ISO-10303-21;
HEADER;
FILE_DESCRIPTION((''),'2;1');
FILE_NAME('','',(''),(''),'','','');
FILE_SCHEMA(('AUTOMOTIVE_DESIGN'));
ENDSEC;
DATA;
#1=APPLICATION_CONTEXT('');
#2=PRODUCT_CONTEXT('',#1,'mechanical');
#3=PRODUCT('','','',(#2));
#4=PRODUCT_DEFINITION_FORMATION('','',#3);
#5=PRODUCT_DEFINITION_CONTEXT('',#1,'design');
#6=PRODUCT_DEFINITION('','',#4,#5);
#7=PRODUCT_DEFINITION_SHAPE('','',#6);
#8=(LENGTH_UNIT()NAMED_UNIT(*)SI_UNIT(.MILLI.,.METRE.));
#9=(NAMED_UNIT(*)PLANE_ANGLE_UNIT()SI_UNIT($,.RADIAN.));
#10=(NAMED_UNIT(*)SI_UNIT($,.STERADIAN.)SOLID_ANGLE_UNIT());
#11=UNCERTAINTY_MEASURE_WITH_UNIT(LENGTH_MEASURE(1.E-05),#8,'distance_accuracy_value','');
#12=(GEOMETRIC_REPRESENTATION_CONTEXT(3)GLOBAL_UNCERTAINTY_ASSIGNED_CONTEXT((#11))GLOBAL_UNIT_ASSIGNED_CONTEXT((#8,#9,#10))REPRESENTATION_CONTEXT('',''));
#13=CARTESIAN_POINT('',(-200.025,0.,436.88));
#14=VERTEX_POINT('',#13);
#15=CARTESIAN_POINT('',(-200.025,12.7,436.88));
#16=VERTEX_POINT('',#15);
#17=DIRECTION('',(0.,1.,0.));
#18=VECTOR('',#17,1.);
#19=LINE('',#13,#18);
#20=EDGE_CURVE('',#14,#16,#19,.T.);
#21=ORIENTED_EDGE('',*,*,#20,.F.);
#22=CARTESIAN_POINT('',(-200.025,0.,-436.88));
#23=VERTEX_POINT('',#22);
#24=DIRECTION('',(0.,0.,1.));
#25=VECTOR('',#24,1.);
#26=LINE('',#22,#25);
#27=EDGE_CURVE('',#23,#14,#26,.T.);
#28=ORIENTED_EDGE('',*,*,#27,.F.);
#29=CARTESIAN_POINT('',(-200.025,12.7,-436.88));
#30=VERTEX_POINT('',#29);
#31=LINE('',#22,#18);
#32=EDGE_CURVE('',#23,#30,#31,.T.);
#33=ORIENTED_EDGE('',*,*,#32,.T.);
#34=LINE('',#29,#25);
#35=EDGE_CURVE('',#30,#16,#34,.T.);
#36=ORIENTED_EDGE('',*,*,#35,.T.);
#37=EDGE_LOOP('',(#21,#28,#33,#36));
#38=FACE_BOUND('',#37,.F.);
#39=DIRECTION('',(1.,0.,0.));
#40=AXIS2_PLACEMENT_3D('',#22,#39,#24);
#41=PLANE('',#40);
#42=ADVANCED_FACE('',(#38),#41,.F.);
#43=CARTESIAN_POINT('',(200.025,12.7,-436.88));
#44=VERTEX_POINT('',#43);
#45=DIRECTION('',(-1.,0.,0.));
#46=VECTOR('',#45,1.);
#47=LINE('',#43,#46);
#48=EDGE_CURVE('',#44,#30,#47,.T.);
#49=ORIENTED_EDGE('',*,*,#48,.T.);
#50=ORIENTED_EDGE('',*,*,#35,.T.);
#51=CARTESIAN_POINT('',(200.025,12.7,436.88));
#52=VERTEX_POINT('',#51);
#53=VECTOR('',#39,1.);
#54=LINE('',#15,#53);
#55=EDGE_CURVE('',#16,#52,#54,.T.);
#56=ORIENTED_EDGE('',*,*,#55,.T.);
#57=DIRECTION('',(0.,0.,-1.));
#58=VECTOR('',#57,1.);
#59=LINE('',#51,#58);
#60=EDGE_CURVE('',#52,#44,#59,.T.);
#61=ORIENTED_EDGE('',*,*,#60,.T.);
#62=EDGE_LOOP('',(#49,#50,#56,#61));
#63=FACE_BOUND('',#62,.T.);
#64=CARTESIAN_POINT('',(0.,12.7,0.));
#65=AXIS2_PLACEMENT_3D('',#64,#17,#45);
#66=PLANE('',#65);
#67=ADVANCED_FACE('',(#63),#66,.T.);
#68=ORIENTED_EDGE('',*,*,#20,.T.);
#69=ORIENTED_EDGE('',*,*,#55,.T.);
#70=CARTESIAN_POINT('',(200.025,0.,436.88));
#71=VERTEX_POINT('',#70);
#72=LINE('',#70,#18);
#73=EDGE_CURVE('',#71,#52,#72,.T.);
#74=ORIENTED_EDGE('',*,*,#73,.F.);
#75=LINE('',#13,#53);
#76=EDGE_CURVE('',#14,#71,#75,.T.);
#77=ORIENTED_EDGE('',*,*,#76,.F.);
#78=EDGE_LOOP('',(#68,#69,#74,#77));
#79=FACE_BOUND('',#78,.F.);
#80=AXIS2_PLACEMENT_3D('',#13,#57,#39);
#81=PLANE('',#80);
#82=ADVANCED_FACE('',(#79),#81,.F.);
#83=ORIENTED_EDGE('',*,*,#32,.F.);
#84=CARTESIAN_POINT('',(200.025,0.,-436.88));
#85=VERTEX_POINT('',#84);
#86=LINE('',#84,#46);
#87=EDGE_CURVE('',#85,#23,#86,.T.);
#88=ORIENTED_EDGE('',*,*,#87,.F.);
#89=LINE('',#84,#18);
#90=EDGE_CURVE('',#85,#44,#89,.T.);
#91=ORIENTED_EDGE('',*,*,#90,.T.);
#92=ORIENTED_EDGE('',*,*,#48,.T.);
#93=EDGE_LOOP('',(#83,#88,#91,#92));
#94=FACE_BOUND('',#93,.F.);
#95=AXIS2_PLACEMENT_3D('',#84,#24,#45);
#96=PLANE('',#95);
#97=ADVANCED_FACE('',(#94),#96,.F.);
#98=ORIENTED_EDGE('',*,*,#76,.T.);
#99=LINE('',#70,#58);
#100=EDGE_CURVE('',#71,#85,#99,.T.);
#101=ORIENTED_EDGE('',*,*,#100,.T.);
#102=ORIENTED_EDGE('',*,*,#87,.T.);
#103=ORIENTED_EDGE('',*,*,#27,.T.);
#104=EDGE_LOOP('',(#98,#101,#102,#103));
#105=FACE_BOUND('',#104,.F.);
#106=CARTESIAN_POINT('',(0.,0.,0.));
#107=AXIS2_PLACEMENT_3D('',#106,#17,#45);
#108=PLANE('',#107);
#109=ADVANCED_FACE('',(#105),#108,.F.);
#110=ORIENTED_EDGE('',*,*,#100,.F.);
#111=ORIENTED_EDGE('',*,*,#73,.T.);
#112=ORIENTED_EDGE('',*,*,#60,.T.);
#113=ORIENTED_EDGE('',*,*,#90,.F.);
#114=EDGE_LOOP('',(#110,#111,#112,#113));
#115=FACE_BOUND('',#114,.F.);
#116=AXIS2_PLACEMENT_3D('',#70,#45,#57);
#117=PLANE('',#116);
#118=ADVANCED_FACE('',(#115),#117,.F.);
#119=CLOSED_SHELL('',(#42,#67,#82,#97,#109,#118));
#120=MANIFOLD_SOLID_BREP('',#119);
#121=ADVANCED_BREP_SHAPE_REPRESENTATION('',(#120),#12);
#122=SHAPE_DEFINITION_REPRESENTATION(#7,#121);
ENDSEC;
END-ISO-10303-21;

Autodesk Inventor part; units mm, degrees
ref_plane "YZ Plane" through (0, 0, 0) normal (1, 0, 0) x (0, 1, 0)
ref_plane "XZ Plane" through (0, 0, 0) normal (0, 1, 0) x (-1, 0, 0)
ref_plane "XY Plane" through (0, 0, 0) normal (0, 0, 1) x (1, 0, 0)
sketch "Sketch1" plane through (0, 0, 0) normal (0, 1, 0) x (-1, 0, 0)
  line L0 (200.025, 436.88) -> (-200.025, 436.88)
  line L1 (-200.025, 436.88) -> (-200.025, -436.88)
  line L2 (-200.025, -436.88) -> (200.025, -436.88)
  line L3 (200.025, -436.88) -> (200.025, 436.88)
  line L4 (200.025, 436.88) -> (-200.025, -436.88) construction
  line L5 (-200.025, 436.88) -> (200.025, -436.88) construction
  point P0 (0, 0)
  dimension "d0" = 400.05
  dimension "d1" = 873.76
extrude "Extrusion1" add sketch "Sketch1" along normal blind 12.7
properties part number "2020 Wood BaseV04" material "Wood (Birch)"
